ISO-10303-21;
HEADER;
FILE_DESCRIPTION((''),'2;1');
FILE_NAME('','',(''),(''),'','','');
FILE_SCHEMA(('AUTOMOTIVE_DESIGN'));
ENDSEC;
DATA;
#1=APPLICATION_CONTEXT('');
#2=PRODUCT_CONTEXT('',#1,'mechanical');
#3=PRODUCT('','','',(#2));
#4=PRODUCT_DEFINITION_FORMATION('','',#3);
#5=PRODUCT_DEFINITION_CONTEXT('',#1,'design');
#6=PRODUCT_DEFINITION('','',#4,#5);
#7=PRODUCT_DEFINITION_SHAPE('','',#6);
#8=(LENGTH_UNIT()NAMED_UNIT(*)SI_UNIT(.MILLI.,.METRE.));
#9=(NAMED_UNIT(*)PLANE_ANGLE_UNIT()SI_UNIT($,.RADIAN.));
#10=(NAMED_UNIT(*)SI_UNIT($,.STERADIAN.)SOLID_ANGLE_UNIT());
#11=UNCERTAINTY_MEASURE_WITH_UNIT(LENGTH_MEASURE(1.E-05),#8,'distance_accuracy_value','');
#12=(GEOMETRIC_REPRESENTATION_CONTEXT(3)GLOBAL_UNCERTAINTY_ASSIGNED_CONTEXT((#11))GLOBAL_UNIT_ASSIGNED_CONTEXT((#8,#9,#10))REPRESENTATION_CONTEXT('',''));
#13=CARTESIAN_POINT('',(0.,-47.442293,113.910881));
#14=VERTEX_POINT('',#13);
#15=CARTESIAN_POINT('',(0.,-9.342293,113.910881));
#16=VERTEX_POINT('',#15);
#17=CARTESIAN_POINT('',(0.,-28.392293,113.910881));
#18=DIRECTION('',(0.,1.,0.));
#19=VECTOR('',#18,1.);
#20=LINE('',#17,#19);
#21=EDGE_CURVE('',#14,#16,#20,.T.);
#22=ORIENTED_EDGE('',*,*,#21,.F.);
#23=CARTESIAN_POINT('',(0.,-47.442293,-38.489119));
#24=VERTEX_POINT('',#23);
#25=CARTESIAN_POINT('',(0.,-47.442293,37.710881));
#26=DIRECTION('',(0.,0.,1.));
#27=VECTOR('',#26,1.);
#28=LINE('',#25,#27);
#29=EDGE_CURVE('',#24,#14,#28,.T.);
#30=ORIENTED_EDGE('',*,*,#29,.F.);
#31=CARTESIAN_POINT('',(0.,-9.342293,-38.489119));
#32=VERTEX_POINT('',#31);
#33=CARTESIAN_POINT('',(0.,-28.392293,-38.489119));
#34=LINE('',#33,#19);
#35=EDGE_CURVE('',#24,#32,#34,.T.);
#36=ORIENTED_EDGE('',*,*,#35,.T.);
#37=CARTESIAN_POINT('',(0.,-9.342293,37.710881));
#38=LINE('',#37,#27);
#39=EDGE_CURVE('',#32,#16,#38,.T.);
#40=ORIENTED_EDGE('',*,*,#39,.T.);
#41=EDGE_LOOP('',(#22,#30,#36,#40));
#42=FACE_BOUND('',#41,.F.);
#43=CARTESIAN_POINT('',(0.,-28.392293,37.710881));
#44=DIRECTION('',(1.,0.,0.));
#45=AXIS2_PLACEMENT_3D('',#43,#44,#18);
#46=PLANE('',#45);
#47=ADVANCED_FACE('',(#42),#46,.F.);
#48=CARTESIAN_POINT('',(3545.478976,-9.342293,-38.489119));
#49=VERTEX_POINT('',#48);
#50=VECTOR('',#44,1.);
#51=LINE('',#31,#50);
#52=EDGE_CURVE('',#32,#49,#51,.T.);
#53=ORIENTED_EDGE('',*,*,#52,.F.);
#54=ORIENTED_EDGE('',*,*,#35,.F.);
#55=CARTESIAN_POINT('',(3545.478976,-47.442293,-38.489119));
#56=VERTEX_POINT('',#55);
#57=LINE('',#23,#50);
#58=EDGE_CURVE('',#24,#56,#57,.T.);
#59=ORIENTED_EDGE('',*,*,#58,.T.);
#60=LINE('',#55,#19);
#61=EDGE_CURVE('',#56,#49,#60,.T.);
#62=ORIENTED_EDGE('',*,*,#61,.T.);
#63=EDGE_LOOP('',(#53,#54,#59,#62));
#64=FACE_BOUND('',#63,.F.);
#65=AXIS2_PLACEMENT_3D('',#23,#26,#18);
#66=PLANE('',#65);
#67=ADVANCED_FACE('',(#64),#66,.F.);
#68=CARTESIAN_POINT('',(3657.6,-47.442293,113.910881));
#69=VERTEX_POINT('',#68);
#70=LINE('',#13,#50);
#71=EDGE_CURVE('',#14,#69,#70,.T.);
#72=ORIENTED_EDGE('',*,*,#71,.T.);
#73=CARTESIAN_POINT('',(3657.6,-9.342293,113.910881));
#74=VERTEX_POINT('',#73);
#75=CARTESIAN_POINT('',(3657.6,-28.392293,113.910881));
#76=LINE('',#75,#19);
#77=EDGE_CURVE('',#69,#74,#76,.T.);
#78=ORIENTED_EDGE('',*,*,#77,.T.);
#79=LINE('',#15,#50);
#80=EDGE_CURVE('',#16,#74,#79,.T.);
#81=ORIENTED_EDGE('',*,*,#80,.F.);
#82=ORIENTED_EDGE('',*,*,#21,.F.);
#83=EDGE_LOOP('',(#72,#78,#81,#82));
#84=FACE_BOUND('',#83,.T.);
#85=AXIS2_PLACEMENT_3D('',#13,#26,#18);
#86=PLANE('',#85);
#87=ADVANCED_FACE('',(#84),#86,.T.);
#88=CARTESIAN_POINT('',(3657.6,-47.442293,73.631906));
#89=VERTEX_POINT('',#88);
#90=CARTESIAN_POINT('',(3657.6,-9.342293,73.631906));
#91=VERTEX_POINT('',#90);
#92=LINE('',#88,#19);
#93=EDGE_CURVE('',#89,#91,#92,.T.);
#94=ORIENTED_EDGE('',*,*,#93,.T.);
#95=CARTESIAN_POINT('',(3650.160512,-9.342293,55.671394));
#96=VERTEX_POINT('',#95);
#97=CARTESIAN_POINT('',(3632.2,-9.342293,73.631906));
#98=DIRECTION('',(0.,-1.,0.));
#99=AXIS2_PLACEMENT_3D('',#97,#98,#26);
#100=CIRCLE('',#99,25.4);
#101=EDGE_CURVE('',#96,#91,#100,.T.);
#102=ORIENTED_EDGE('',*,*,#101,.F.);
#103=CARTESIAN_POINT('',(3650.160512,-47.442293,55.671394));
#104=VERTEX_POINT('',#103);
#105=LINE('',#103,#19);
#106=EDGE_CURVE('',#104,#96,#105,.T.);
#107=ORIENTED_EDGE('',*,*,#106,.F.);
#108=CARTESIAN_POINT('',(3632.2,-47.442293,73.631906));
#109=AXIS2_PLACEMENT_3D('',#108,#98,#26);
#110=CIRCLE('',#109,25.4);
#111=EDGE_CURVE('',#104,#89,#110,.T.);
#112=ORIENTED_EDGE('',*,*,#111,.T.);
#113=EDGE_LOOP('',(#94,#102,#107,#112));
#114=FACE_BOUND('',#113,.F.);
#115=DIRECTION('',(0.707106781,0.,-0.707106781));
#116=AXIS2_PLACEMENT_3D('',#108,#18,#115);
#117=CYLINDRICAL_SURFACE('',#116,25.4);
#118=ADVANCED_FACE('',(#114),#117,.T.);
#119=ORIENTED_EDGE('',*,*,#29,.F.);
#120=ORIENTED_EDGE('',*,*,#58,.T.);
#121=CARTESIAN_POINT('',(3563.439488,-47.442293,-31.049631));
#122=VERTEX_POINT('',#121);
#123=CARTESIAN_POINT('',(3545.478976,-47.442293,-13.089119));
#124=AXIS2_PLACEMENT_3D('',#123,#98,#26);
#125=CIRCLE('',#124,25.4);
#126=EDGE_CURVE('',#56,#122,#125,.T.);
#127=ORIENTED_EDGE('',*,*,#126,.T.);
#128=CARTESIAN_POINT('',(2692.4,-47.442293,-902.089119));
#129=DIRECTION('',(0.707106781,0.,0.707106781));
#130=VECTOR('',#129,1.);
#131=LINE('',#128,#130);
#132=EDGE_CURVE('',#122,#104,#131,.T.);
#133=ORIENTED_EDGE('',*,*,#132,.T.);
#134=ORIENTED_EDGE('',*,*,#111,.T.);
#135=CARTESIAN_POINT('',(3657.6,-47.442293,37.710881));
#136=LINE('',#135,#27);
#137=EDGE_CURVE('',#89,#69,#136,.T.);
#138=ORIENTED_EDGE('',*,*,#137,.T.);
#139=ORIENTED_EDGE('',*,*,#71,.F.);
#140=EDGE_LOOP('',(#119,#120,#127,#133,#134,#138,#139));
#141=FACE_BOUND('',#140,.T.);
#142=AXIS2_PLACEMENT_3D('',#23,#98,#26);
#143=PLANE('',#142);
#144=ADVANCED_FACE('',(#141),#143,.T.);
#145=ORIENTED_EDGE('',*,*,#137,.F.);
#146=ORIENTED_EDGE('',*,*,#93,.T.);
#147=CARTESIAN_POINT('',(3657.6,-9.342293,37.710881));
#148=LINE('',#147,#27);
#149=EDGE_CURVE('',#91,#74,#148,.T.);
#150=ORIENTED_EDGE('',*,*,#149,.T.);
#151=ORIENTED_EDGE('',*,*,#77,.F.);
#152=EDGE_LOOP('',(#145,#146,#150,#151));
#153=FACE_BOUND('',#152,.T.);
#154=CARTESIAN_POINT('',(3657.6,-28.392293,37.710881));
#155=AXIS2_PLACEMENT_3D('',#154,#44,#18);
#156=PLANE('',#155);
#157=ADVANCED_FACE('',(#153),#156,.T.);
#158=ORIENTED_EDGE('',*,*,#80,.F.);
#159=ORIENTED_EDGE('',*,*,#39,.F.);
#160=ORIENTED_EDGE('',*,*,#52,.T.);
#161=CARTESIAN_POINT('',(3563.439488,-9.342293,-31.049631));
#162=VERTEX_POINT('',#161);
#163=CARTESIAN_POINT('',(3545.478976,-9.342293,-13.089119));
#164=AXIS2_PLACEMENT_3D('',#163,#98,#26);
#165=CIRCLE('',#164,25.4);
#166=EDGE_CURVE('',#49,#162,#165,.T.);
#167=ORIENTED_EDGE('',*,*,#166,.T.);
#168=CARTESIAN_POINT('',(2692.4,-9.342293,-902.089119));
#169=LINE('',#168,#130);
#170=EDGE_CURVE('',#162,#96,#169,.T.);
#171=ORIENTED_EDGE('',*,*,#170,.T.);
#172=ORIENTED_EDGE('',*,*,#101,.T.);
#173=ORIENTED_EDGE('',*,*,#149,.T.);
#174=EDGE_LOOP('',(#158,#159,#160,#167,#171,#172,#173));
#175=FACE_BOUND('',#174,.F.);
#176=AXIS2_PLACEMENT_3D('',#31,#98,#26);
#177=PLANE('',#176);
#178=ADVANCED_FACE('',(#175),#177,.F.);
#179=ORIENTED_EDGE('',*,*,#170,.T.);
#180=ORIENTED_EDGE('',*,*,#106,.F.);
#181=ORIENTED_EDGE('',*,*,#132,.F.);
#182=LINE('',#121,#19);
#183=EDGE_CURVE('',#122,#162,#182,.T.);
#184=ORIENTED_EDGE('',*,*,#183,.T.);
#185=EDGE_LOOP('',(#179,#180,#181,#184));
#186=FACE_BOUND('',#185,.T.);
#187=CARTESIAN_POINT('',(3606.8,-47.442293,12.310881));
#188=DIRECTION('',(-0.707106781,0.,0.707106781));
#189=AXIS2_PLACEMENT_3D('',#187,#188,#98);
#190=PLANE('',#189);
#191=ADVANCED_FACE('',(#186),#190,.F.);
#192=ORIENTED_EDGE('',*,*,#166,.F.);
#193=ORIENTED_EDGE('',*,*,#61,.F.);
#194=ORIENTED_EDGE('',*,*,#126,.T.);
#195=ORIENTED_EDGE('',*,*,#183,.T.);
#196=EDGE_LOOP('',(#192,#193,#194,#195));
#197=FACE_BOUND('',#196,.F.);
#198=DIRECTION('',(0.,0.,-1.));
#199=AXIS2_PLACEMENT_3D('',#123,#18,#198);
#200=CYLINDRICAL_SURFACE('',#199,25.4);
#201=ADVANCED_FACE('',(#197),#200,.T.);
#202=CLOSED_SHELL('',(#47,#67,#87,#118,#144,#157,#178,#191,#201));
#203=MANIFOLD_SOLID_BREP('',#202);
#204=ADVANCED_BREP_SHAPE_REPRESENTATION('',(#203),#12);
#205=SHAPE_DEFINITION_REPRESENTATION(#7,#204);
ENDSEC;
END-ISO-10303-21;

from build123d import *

# Parameters (mm, degrees)
F0_W     = 38.1
F0_H     = 152.4
F1_DEPTH = 3657.6
F2_SIZE  = 101.6
F3_R     = 25.4


with BuildPart() as f1:
    # F0 (on Right) → F1 (new body)
    with BuildSketch(Plane.YZ):
        with Locations((-28.3922934905, 37.7108814793)):
            Rectangle(F0_W, F0_H)
    extrude(amount=F1_DEPTH)

    # F2
    f2_edges = [f1.edges().sort_by_distance(p)[0] for p in [
        (3657.6, -28.392293, -38.489119),
    ]]
    chamfer(f2_edges, length=F2_SIZE)

    # F3
    f3_edges = [f1.edges().sort_by_distance(p)[0] for p in [
        (3657.6, -28.392293, 63.110881),
        (3556, -28.392293, -38.489119),
    ]]
    fillet(f3_edges, radius=F3_R)


solid = f1.part
